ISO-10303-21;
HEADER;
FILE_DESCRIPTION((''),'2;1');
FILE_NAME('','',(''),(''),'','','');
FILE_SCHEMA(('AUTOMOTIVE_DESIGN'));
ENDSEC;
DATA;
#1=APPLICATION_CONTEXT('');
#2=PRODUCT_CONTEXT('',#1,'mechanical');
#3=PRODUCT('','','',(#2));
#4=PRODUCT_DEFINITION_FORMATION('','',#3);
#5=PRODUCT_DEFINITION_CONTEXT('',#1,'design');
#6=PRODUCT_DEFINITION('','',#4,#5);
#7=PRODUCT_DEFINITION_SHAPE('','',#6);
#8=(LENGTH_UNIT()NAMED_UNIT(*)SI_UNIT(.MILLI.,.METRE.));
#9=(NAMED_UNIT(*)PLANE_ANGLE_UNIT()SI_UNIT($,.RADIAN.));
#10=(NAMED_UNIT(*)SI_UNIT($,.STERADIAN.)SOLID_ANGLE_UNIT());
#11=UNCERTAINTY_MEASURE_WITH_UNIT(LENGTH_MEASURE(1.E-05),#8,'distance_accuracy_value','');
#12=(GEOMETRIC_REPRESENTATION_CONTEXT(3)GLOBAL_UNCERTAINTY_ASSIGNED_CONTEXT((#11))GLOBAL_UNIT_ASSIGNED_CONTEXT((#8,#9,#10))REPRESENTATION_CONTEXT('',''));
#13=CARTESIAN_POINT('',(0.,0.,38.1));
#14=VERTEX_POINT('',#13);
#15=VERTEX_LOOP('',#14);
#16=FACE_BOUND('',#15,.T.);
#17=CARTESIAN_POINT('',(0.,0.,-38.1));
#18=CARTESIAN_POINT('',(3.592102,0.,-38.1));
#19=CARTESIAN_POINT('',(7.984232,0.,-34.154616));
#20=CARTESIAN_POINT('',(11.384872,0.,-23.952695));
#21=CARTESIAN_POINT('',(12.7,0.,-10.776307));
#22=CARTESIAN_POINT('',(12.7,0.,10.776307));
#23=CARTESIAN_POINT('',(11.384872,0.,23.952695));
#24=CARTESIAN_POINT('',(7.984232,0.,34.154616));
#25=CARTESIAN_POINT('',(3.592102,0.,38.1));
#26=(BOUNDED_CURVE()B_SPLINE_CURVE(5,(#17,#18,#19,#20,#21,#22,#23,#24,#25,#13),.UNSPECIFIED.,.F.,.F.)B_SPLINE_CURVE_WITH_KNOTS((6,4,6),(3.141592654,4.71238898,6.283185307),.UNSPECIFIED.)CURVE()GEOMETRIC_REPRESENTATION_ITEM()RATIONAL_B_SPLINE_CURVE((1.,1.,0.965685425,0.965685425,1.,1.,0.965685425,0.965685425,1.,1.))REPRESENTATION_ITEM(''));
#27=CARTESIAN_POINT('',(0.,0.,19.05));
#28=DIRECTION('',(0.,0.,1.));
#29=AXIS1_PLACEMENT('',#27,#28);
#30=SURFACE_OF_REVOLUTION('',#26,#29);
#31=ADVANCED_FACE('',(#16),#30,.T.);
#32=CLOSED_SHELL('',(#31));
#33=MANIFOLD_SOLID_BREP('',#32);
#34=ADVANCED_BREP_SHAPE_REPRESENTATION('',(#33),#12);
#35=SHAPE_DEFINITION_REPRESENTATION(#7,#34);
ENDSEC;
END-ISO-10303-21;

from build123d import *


with BuildPart() as f1:
    # F0 (on Front) → F1 (revolve)
    with BuildSketch(Plane.XZ):
        with BuildLine():
            Line((0, 0), (0, -38.1))
            add(Edge.make_bspline(
                [(0, -38.1), (12.7, -38.1), (12.7, 0)],
                knots=[3.1415926536, 3.1415926536, 3.1415926536, 4.7123889804, 4.7123889804, 4.7123889804], degree=2, weights=[1, 0.7071067812, 1]))
            Line((12.7, 0), (0, 0))
        make_face()
        with BuildLine():
            Line((0, 0), (12.7, 0))
            add(Edge.make_bspline(
                [(12.7, 0), (12.7, 38.1), (0, 38.1)],
                knots=[4.7123889804, 4.7123889804, 4.7123889804, 6.2831853072, 6.2831853072, 6.2831853072], degree=2, weights=[1, 0.7071067812, 1]))
            Line((0, 38.1), (0, 0))
        make_face()
    revolve(axis=Axis((0, 0, 19.05), (0, 0, 1)))


solid = f1.part
